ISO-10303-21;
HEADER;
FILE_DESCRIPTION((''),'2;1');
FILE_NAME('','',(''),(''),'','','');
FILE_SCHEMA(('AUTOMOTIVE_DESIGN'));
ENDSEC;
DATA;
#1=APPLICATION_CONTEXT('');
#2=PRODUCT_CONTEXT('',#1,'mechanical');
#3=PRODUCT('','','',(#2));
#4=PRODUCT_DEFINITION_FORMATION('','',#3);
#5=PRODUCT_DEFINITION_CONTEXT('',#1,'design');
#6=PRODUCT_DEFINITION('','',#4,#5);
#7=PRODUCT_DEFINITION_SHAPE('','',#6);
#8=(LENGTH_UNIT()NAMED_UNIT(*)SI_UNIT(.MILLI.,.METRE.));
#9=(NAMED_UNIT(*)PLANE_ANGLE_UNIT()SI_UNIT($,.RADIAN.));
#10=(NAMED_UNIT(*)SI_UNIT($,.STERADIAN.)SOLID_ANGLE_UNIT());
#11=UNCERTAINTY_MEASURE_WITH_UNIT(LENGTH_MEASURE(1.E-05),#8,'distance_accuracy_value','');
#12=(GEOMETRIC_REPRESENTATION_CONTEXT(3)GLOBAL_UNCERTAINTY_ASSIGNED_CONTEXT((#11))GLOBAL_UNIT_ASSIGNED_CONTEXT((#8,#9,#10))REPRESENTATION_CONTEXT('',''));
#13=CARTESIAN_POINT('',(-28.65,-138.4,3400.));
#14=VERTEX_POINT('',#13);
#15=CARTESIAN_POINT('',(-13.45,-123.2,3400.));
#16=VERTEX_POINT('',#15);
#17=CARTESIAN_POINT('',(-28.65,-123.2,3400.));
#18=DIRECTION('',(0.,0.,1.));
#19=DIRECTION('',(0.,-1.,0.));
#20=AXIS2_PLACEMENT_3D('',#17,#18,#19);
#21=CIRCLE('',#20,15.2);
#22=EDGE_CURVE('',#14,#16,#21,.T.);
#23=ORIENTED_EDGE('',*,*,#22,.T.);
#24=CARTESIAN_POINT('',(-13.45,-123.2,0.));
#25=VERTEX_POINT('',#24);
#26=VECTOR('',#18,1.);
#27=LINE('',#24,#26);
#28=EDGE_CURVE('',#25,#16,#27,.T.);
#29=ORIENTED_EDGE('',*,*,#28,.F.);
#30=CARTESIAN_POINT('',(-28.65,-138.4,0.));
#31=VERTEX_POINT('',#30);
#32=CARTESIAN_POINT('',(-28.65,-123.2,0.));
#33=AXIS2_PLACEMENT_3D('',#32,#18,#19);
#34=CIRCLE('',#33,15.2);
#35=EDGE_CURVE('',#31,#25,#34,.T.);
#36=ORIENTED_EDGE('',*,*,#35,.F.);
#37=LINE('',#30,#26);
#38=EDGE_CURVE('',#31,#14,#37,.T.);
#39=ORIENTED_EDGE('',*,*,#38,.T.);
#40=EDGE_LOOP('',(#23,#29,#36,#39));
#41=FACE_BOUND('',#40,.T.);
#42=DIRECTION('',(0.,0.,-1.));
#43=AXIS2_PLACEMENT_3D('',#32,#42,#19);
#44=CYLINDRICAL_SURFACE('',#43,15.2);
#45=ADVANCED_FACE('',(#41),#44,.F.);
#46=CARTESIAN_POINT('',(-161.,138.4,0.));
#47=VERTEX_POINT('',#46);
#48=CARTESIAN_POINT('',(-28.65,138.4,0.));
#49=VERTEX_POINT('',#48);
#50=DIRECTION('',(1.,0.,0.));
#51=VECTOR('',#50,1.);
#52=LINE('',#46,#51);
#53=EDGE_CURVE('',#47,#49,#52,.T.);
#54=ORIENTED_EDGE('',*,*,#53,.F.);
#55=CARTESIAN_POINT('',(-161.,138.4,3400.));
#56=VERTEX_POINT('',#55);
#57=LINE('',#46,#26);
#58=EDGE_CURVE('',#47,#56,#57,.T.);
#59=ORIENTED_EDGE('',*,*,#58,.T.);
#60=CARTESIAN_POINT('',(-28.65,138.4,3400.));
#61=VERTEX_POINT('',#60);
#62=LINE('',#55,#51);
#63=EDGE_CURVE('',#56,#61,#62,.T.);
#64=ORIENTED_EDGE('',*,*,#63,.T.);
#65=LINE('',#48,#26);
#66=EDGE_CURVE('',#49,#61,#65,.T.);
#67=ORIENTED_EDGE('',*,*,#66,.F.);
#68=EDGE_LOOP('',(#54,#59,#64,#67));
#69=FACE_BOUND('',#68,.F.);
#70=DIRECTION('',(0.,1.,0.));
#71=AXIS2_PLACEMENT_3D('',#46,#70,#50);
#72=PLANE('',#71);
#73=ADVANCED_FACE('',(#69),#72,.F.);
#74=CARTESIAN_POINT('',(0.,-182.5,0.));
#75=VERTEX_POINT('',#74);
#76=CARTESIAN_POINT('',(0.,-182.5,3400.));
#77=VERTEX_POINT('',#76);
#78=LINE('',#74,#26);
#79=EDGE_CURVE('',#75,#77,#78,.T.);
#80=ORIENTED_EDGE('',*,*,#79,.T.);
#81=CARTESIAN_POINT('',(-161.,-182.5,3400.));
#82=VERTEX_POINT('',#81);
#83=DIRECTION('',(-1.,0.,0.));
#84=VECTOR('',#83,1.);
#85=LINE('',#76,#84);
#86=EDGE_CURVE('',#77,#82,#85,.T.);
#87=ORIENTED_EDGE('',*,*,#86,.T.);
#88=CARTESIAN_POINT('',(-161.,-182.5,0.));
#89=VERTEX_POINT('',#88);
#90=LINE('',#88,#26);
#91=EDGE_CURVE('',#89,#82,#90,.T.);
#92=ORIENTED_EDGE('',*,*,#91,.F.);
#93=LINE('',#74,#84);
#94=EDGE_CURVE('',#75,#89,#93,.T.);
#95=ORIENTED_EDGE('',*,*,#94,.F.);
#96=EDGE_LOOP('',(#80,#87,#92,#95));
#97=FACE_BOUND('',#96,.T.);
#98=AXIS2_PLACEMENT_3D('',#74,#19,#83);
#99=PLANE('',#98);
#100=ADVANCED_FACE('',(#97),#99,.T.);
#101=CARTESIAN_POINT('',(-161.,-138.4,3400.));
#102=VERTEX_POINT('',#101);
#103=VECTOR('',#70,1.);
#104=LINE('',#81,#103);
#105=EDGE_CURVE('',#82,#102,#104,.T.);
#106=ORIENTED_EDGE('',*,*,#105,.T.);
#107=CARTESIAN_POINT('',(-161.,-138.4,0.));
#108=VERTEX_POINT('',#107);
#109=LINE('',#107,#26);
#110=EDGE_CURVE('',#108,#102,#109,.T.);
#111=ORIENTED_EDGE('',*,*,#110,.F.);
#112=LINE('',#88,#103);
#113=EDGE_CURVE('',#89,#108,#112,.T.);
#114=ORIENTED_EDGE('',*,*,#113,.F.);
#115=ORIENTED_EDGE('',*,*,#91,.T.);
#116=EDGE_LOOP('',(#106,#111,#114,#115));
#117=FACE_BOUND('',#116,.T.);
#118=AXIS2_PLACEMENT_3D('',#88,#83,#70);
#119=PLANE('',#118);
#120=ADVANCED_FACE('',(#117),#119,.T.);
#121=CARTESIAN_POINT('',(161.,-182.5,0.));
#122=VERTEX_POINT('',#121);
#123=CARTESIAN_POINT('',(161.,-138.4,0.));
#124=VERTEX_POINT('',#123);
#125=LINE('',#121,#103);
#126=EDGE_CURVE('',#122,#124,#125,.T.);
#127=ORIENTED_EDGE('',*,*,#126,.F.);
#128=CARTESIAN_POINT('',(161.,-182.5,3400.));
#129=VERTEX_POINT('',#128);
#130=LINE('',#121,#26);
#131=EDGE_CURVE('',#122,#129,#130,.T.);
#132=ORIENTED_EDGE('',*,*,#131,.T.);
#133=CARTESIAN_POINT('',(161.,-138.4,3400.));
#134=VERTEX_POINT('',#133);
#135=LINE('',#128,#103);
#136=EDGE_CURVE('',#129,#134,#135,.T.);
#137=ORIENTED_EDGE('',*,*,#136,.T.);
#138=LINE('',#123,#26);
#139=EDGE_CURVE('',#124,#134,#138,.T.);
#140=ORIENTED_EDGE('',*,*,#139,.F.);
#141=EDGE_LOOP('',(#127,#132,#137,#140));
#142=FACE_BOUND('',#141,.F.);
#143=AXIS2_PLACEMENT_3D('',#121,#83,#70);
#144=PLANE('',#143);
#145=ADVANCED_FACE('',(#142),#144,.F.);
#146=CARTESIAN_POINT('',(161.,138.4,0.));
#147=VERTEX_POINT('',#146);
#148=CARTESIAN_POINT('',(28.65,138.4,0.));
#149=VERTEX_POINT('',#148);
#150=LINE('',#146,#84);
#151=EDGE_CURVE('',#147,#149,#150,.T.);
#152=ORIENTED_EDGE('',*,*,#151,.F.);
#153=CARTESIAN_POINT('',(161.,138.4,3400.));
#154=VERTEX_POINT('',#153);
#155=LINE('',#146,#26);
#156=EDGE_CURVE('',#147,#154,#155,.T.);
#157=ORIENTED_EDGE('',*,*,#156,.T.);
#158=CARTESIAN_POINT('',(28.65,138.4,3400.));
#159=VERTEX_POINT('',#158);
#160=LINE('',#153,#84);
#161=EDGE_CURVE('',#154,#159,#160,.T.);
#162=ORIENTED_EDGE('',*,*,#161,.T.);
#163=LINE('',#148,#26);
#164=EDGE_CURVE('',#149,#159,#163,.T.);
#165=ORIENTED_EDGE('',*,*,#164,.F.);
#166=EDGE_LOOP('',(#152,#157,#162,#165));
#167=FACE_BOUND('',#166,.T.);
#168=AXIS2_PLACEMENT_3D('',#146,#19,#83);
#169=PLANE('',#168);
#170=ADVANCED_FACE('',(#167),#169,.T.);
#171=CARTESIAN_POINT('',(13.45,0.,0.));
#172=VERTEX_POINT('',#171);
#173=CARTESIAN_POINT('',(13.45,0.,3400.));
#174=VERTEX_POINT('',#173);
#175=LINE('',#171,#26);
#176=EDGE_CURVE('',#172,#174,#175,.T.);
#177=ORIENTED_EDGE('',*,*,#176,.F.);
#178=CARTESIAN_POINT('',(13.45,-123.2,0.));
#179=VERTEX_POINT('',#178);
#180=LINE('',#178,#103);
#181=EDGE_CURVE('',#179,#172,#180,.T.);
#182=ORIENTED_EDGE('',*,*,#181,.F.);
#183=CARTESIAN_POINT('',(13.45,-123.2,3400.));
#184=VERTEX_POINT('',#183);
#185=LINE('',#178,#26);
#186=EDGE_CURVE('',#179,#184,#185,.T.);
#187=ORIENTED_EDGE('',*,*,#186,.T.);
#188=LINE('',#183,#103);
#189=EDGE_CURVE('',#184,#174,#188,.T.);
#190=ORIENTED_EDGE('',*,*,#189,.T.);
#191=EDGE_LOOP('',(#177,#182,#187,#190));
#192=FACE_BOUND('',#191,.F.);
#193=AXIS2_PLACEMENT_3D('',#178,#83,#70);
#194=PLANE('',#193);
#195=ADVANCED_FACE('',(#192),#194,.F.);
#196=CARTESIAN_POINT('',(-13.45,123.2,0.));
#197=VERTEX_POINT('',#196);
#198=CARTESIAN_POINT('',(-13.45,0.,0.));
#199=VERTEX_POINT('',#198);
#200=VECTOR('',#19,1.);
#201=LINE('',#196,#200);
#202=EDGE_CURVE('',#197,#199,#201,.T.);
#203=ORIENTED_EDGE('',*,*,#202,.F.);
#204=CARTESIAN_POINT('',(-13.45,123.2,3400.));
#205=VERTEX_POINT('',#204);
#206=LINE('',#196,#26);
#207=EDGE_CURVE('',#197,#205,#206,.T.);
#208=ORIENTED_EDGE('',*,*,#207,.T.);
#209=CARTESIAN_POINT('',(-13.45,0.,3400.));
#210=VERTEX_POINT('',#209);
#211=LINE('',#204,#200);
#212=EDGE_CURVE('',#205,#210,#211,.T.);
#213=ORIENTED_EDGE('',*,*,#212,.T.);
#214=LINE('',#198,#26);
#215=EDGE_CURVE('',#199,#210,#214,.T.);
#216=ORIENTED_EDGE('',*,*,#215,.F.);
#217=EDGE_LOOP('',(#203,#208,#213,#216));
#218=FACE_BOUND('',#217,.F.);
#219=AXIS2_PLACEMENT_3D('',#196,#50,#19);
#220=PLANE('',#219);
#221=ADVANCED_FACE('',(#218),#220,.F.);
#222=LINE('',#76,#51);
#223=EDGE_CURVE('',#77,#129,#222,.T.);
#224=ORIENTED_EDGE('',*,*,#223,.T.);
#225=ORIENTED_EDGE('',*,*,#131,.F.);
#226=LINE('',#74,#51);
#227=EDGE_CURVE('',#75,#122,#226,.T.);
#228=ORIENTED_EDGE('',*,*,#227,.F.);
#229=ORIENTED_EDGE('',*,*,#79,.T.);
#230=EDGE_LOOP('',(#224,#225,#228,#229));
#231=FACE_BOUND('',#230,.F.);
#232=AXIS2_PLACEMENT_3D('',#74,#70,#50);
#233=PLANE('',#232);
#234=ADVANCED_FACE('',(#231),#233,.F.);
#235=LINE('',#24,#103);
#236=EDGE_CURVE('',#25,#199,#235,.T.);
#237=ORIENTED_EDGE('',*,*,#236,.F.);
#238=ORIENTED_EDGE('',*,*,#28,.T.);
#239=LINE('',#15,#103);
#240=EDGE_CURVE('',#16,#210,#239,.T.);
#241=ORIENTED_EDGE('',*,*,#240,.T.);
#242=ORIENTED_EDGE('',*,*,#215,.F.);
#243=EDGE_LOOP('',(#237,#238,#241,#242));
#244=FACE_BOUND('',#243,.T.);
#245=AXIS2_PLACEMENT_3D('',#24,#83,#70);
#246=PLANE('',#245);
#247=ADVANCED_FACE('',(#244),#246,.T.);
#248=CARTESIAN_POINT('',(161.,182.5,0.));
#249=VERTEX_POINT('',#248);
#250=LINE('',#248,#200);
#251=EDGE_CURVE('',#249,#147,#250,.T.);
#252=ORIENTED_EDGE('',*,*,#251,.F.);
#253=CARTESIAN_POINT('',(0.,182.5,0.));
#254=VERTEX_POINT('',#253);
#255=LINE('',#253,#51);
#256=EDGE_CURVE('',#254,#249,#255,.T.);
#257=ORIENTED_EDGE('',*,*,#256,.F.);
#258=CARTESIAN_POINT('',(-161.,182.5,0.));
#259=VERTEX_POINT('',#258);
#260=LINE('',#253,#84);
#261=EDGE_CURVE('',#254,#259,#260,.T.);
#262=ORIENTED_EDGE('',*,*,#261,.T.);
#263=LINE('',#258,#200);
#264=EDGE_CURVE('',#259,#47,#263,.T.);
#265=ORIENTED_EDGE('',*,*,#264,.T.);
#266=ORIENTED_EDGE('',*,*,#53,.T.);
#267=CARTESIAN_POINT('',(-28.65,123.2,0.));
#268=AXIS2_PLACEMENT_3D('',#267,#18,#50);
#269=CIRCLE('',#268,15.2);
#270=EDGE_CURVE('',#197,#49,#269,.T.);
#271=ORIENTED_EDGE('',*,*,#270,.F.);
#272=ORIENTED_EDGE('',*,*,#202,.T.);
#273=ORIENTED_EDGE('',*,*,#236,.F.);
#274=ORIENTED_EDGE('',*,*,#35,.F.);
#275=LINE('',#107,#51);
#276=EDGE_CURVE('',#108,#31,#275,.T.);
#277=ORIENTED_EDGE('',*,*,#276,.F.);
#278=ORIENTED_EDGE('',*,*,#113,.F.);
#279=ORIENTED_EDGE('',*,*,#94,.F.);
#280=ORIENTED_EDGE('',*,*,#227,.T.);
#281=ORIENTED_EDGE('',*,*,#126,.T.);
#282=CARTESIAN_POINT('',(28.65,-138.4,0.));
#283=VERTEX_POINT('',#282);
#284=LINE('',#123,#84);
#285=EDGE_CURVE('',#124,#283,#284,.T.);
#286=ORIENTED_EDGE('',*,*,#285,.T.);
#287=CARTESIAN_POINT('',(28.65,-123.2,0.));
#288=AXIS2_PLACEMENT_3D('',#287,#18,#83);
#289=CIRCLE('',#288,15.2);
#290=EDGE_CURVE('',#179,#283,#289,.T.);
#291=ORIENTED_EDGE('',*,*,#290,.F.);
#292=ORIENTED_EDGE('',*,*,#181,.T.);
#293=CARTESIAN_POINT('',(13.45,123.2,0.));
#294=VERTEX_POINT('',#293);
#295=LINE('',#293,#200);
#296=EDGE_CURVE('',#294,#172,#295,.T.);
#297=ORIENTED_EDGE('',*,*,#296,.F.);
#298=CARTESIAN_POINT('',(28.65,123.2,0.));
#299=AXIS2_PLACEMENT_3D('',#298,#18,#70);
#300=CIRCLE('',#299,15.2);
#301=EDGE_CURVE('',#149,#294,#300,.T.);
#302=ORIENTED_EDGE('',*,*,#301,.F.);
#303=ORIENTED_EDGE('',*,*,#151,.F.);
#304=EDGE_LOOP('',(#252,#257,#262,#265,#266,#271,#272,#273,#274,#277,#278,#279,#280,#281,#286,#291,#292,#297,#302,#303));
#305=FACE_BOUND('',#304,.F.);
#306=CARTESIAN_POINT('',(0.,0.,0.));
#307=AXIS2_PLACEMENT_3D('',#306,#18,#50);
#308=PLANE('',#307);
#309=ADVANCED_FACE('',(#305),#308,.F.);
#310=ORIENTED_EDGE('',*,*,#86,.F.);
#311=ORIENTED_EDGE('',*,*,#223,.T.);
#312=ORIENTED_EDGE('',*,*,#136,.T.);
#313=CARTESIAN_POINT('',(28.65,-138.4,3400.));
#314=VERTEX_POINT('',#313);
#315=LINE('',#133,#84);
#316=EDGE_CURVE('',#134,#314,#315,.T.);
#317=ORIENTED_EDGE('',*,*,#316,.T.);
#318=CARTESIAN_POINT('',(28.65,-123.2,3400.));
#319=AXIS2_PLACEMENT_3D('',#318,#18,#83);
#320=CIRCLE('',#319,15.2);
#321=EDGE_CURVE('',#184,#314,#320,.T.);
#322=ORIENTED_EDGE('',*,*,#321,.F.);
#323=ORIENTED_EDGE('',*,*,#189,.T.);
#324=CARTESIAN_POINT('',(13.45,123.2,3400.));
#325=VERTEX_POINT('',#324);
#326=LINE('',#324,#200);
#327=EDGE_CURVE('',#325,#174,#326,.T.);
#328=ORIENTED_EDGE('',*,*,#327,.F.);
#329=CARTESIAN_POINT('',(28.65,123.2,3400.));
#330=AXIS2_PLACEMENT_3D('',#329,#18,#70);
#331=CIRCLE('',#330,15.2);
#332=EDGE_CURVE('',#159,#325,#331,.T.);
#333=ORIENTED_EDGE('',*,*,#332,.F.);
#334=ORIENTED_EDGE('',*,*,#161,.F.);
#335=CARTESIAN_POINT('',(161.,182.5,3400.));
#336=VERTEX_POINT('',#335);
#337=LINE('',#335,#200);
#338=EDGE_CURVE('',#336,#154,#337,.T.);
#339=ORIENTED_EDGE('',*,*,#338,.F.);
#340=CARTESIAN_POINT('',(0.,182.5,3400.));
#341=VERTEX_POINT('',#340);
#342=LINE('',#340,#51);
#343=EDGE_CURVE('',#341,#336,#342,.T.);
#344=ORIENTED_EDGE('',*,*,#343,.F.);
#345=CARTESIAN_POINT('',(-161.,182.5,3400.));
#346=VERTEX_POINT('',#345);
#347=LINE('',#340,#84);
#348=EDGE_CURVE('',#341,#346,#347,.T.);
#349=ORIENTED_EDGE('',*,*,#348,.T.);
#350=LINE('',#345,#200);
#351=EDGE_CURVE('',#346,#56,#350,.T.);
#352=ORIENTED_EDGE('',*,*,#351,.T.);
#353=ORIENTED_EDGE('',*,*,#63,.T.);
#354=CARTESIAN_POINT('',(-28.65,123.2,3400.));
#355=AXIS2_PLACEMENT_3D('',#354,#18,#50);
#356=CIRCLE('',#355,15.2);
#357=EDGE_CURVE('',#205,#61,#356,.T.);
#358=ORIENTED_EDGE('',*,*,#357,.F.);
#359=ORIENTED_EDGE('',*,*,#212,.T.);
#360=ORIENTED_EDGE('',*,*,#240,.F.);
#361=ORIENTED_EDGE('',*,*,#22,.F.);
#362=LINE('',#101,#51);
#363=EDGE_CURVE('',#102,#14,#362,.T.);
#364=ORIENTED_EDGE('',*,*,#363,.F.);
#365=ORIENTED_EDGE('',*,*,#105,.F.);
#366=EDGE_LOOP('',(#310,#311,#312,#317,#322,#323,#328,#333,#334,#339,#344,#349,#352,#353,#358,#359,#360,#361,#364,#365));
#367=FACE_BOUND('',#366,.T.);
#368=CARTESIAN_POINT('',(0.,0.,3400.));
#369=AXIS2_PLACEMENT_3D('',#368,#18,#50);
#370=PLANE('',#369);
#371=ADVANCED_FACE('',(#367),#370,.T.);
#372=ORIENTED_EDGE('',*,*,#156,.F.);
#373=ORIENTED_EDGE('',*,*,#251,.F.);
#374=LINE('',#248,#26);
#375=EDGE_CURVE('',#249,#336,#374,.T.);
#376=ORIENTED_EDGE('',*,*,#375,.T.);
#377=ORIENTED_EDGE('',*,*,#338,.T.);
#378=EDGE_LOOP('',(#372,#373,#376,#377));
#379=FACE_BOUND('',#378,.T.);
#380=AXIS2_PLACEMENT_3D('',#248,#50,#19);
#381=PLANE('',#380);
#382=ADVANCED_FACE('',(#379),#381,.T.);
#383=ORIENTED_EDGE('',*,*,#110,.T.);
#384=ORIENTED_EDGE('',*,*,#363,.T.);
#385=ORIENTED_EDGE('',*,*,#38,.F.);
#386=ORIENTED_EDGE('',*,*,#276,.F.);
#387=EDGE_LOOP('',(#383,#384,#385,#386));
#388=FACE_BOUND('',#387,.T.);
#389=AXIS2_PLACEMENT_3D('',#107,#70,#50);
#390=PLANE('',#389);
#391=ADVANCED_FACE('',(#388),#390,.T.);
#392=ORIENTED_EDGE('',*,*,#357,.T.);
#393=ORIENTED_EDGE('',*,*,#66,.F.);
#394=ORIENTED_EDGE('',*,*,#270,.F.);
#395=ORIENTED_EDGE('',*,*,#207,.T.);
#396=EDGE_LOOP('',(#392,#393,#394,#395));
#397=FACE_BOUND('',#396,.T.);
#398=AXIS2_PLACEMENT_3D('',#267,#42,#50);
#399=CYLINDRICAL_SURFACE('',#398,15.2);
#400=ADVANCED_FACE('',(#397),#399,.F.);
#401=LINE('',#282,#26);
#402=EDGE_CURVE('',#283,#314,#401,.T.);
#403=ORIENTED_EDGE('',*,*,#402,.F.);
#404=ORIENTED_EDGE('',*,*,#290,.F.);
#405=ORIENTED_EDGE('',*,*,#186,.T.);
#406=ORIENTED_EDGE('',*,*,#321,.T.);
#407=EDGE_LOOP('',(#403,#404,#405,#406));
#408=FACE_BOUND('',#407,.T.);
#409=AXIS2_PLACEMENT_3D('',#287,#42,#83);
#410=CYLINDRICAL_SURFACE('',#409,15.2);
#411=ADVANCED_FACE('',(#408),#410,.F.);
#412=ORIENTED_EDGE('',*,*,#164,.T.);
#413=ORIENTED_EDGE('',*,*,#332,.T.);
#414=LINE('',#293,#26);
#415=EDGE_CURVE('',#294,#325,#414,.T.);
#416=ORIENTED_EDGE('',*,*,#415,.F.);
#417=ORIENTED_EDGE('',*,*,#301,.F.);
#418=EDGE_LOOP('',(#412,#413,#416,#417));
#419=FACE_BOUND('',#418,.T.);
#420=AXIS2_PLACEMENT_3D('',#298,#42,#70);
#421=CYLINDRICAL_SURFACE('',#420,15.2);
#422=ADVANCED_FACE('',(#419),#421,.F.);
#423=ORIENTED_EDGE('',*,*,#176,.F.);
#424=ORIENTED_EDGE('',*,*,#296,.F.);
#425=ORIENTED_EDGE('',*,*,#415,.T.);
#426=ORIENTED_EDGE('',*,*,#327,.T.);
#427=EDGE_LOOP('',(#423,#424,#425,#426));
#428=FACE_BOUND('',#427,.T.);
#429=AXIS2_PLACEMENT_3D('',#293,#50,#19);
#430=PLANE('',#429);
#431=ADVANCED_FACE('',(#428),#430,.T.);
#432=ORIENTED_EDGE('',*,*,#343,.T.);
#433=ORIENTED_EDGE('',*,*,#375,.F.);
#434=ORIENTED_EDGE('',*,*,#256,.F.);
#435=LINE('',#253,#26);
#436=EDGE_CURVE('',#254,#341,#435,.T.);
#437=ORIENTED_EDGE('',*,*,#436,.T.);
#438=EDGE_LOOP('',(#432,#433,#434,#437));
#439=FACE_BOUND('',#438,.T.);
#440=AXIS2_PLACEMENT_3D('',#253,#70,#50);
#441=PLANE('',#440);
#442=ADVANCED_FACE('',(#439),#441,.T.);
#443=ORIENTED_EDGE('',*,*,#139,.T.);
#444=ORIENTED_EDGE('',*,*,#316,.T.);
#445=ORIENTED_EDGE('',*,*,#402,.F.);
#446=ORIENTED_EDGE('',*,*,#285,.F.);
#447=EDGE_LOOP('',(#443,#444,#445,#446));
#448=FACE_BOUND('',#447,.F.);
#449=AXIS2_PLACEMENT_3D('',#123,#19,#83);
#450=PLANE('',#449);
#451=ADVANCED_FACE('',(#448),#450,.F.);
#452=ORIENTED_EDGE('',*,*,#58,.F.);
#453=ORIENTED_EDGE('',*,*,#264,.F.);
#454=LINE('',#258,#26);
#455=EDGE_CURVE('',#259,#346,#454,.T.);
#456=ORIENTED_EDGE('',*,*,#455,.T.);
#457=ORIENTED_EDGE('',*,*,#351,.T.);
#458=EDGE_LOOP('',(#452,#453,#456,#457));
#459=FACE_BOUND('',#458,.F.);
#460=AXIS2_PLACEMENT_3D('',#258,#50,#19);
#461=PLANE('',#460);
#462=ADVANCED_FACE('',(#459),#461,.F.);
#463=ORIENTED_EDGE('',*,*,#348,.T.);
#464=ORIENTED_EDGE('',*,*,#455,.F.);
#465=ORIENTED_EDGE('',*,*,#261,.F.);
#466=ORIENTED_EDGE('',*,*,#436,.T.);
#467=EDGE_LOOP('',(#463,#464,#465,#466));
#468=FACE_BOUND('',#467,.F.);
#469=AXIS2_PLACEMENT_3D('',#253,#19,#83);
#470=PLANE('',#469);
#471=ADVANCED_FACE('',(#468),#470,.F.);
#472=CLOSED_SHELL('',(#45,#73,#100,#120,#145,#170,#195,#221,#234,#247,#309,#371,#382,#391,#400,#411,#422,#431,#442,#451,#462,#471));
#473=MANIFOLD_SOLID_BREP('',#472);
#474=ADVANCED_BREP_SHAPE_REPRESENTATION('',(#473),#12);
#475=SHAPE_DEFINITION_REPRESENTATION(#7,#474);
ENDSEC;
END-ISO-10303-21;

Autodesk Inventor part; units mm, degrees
ref_plane "YZ Plane" through (0, 0, 0) normal (1, 0, 0) x (0, 1, 0)
ref_plane "Start plane" through (0, 0, 0) normal (0, 0, 1) x (1, 0, 0)
ref_plane "End plane" through (0, 0, 3400) normal (0, 0, 1) x (1, 0, 0)
sketch "Sketch" plane through (0, 0, 0) normal (0, 0, 1) x (1, 0, 0)
  line L0 (-161, -182.5) -> (-161, -138.4)
  line L1 (-161, -138.4) -> (-28.65, -138.4)
  line L2 (-13.45, -123.2) -> (-13.45, 0)
  line L3 (-13.45, 0) -> (0, 0) construction
  line L4 (0, 0) -> (0, -182.5) construction
  line L5 (0, -182.5) -> (-161, -182.5)
  line L6 (-60, 0) -> (80, 0) construction
  line L7 (0, -60) -> (0, 80) construction
  line L8 (161, -182.5) -> (161, -138.4)
  line L9 (161, -138.4) -> (28.65, -138.4)
  line L10 (13.45, -123.2) -> (13.45, 0)
  line L11 (13.45, 0) -> (0, 0) construction
  line L12 (0, -182.5) -> (161, -182.5)
  line L13 (-161, 182.5) -> (-161, 138.4)
  line L14 (-161, 138.4) -> (-28.65, 138.4)
  line L15 (-13.45, 123.2) -> (-13.45, 0)
  line L16 (0, 182.5) -> (-161, 182.5)
  line L17 (161, 182.5) -> (161, 138.4)
  line L18 (161, 138.4) -> (28.65, 138.4)
  line L19 (0, 182.5) -> (161, 182.5)
  line L20 (13.45, 123.2) -> (13.45, 0)
  arc A0 (-13.45, 123.2) -> (-28.65, 138.4) centre (-28.65, 123.2) ccw
  arc A1 (28.65, 138.4) -> (13.45, 123.2) centre (28.65, 123.2) ccw
  arc A2 (13.45, -123.2) -> (28.65, -138.4) centre (28.65, -123.2) ccw
  arc A3 (-28.65, -138.4) -> (-13.45, -123.2) centre (-28.65, -123.2) ccw
  line L21 (0, 108) -> (0, -88) construction
  line L22 (-88, 0) -> (108, 0) construction
  point P0 (-13.45, -138.4)
  point P1 (13.45, -138.4)
  point P2 (-13.45, 138.4)
  point P3 (13.45, 138.4)
  dimension "d1" = 182.5
  dimension "d2" = 44.1
  dimension "d3" = 161
  dimension "d4" = 13.45
  dimension "d10" = 15.2
extrude "Body" add sketch "Sketch" along normal up to surface (3400 mm away) from surface at 0
sketch "Sketch4" plane through (0, 0, 0) normal (0, 0, 1) x (1, 0, 0)
  line L0 (0, 0) -> (10, 0)
ref_plane "Work Plane3" through (0, 0, 0) normal (0, -1, 0) x (1, 0, 0)
sketch "Sketch5" plane through (0, 0, 0) normal (0, -1, 0) x (1, 0, 0)
  line L0 (-2, 0) -> (12, 0) projected
  line L1 (-2, 3400) -> (12, 3400) projected
  dimension "d14" = 3400
equation "\"d1\" = 0.5 * G_H"
equation "\"d2\" = G_T1"
equation "\"d3\" = 0.5 * G_W"
equation "\"d4\" = 0.5 * G_T"
equation "\"d10\" = G_IR"
equation "\"d5\" = G_L"
equation "\"G_W\" = 322"
equation "\"G_H\" = 365"
equation "\"G_T\" = 26.9"
equation "\"G_T1\" = 44.1"
equation "\"G_IR\" = 15.2"
equation "\"G_L\" = d14"
equation "\"G_OFFSET_START\" = 0"
equation "\"G_OFFSET_END\" = 0"
properties part number "AS 3679 - 310 UC - 283 - 3400" material "Steel, Mild"
